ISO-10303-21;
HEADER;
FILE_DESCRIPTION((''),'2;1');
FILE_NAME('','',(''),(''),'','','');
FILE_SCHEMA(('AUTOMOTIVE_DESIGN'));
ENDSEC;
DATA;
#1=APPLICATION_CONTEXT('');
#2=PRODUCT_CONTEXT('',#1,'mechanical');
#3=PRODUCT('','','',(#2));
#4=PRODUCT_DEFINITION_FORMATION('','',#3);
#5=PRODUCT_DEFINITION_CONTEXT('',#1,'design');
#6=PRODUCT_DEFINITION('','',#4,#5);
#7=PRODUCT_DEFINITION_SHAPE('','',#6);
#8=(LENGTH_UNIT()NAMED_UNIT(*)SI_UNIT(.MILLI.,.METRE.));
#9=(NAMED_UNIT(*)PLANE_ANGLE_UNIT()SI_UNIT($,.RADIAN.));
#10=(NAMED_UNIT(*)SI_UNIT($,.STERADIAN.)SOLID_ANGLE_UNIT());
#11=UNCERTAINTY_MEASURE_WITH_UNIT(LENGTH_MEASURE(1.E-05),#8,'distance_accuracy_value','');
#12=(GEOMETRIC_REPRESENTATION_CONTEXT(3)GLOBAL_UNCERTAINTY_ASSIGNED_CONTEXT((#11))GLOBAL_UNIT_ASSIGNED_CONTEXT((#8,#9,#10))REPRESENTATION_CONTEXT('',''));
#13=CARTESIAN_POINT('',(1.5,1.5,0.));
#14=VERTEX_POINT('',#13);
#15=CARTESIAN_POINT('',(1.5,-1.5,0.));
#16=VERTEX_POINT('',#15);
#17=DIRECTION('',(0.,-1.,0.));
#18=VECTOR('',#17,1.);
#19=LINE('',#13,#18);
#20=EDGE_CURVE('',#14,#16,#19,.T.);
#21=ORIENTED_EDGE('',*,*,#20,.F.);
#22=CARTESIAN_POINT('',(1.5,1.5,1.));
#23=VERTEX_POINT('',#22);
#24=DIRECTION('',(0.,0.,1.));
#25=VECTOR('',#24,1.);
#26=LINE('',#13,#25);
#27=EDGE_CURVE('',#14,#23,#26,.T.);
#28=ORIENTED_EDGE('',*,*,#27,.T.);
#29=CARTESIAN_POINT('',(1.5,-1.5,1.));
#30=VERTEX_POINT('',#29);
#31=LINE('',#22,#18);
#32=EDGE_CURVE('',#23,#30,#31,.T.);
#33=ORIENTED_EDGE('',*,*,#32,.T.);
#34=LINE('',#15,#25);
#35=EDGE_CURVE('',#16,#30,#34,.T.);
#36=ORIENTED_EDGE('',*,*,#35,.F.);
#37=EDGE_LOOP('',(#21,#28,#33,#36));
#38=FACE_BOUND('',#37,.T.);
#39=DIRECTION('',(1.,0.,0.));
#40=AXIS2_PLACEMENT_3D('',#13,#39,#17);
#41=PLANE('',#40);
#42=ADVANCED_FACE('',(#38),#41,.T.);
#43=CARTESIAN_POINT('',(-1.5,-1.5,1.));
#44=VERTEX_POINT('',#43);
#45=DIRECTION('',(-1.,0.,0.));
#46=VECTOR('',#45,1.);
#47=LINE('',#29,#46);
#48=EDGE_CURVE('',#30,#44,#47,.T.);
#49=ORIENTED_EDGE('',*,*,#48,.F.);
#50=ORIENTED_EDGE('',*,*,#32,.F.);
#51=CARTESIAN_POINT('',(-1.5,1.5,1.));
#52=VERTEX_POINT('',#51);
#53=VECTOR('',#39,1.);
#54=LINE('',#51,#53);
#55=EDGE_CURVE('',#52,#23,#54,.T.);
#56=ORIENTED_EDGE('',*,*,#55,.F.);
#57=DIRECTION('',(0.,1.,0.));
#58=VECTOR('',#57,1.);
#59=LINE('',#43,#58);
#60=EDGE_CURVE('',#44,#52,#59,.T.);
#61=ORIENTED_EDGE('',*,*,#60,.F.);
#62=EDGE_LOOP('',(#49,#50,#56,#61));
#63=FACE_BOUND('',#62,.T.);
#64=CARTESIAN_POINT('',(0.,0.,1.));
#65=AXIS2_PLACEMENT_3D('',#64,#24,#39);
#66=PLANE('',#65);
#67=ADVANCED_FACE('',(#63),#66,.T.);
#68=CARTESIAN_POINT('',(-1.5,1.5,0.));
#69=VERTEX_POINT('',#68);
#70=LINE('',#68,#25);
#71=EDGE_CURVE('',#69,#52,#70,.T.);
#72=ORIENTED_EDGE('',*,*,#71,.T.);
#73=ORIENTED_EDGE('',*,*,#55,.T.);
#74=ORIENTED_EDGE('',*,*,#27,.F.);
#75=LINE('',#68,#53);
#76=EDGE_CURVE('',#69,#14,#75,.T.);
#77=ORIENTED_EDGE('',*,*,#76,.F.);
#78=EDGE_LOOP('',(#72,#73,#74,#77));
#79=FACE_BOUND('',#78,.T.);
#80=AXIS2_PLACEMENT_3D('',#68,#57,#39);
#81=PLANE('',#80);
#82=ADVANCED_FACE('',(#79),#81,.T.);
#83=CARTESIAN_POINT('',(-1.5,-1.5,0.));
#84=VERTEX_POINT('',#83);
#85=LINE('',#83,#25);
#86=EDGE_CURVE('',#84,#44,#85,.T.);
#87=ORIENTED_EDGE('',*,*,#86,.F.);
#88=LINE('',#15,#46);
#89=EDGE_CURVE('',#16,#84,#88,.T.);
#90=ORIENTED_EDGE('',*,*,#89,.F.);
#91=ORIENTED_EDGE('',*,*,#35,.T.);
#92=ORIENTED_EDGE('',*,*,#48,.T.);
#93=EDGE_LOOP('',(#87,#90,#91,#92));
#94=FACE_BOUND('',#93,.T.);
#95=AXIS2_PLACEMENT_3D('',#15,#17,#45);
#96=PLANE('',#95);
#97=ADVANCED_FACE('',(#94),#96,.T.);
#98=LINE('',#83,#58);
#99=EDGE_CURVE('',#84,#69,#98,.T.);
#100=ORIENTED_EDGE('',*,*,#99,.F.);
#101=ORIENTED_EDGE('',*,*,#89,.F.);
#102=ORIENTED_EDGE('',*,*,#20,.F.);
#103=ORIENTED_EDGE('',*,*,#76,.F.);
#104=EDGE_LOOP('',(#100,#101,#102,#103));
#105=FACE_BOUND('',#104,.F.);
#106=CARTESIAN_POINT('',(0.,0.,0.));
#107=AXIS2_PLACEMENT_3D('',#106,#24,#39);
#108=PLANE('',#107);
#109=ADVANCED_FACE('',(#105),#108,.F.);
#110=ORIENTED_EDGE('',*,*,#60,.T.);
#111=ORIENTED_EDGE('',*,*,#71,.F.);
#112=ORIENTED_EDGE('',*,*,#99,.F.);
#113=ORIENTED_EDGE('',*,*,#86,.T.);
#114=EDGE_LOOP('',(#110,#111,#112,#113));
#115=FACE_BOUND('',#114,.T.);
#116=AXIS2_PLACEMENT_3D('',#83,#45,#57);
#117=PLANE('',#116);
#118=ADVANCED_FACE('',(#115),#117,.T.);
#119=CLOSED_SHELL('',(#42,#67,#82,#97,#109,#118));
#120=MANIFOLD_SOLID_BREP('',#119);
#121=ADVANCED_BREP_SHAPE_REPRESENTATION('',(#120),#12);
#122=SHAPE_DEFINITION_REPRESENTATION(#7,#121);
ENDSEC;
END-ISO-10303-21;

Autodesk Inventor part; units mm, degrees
ref_plane "YZ Plane" through (0, 0, 0) normal (1, 0, 0) x (0, 1, 0)
ref_plane "XZ Plane" through (0, 0, 0) normal (0, 1, 0) x (-1, 0, 0)
ref_plane "XY Plane" through (0, 0, 0) normal (0, 0, 1) x (1, 0, 0)
sketch "TOOL_HOLE, DEVICE__1" plane through (0, 0, 0) normal (0, 0, 1) x (1, 0, 0)
  line L0 (-1.5, -1.5) -> (-1.5, 1.5)
  line L1 (-1.5, 1.5) -> (1.5, 1.5)
  line L2 (1.5, 1.5) -> (1.5, -1.5)
  line L3 (1.5, -1.5) -> (-1.5, -1.5)
extrude "Extrusion1" add sketch "TOOL_HOLE, DEVICE__1" along normal blind 1
properties part number "DEVICE?"
